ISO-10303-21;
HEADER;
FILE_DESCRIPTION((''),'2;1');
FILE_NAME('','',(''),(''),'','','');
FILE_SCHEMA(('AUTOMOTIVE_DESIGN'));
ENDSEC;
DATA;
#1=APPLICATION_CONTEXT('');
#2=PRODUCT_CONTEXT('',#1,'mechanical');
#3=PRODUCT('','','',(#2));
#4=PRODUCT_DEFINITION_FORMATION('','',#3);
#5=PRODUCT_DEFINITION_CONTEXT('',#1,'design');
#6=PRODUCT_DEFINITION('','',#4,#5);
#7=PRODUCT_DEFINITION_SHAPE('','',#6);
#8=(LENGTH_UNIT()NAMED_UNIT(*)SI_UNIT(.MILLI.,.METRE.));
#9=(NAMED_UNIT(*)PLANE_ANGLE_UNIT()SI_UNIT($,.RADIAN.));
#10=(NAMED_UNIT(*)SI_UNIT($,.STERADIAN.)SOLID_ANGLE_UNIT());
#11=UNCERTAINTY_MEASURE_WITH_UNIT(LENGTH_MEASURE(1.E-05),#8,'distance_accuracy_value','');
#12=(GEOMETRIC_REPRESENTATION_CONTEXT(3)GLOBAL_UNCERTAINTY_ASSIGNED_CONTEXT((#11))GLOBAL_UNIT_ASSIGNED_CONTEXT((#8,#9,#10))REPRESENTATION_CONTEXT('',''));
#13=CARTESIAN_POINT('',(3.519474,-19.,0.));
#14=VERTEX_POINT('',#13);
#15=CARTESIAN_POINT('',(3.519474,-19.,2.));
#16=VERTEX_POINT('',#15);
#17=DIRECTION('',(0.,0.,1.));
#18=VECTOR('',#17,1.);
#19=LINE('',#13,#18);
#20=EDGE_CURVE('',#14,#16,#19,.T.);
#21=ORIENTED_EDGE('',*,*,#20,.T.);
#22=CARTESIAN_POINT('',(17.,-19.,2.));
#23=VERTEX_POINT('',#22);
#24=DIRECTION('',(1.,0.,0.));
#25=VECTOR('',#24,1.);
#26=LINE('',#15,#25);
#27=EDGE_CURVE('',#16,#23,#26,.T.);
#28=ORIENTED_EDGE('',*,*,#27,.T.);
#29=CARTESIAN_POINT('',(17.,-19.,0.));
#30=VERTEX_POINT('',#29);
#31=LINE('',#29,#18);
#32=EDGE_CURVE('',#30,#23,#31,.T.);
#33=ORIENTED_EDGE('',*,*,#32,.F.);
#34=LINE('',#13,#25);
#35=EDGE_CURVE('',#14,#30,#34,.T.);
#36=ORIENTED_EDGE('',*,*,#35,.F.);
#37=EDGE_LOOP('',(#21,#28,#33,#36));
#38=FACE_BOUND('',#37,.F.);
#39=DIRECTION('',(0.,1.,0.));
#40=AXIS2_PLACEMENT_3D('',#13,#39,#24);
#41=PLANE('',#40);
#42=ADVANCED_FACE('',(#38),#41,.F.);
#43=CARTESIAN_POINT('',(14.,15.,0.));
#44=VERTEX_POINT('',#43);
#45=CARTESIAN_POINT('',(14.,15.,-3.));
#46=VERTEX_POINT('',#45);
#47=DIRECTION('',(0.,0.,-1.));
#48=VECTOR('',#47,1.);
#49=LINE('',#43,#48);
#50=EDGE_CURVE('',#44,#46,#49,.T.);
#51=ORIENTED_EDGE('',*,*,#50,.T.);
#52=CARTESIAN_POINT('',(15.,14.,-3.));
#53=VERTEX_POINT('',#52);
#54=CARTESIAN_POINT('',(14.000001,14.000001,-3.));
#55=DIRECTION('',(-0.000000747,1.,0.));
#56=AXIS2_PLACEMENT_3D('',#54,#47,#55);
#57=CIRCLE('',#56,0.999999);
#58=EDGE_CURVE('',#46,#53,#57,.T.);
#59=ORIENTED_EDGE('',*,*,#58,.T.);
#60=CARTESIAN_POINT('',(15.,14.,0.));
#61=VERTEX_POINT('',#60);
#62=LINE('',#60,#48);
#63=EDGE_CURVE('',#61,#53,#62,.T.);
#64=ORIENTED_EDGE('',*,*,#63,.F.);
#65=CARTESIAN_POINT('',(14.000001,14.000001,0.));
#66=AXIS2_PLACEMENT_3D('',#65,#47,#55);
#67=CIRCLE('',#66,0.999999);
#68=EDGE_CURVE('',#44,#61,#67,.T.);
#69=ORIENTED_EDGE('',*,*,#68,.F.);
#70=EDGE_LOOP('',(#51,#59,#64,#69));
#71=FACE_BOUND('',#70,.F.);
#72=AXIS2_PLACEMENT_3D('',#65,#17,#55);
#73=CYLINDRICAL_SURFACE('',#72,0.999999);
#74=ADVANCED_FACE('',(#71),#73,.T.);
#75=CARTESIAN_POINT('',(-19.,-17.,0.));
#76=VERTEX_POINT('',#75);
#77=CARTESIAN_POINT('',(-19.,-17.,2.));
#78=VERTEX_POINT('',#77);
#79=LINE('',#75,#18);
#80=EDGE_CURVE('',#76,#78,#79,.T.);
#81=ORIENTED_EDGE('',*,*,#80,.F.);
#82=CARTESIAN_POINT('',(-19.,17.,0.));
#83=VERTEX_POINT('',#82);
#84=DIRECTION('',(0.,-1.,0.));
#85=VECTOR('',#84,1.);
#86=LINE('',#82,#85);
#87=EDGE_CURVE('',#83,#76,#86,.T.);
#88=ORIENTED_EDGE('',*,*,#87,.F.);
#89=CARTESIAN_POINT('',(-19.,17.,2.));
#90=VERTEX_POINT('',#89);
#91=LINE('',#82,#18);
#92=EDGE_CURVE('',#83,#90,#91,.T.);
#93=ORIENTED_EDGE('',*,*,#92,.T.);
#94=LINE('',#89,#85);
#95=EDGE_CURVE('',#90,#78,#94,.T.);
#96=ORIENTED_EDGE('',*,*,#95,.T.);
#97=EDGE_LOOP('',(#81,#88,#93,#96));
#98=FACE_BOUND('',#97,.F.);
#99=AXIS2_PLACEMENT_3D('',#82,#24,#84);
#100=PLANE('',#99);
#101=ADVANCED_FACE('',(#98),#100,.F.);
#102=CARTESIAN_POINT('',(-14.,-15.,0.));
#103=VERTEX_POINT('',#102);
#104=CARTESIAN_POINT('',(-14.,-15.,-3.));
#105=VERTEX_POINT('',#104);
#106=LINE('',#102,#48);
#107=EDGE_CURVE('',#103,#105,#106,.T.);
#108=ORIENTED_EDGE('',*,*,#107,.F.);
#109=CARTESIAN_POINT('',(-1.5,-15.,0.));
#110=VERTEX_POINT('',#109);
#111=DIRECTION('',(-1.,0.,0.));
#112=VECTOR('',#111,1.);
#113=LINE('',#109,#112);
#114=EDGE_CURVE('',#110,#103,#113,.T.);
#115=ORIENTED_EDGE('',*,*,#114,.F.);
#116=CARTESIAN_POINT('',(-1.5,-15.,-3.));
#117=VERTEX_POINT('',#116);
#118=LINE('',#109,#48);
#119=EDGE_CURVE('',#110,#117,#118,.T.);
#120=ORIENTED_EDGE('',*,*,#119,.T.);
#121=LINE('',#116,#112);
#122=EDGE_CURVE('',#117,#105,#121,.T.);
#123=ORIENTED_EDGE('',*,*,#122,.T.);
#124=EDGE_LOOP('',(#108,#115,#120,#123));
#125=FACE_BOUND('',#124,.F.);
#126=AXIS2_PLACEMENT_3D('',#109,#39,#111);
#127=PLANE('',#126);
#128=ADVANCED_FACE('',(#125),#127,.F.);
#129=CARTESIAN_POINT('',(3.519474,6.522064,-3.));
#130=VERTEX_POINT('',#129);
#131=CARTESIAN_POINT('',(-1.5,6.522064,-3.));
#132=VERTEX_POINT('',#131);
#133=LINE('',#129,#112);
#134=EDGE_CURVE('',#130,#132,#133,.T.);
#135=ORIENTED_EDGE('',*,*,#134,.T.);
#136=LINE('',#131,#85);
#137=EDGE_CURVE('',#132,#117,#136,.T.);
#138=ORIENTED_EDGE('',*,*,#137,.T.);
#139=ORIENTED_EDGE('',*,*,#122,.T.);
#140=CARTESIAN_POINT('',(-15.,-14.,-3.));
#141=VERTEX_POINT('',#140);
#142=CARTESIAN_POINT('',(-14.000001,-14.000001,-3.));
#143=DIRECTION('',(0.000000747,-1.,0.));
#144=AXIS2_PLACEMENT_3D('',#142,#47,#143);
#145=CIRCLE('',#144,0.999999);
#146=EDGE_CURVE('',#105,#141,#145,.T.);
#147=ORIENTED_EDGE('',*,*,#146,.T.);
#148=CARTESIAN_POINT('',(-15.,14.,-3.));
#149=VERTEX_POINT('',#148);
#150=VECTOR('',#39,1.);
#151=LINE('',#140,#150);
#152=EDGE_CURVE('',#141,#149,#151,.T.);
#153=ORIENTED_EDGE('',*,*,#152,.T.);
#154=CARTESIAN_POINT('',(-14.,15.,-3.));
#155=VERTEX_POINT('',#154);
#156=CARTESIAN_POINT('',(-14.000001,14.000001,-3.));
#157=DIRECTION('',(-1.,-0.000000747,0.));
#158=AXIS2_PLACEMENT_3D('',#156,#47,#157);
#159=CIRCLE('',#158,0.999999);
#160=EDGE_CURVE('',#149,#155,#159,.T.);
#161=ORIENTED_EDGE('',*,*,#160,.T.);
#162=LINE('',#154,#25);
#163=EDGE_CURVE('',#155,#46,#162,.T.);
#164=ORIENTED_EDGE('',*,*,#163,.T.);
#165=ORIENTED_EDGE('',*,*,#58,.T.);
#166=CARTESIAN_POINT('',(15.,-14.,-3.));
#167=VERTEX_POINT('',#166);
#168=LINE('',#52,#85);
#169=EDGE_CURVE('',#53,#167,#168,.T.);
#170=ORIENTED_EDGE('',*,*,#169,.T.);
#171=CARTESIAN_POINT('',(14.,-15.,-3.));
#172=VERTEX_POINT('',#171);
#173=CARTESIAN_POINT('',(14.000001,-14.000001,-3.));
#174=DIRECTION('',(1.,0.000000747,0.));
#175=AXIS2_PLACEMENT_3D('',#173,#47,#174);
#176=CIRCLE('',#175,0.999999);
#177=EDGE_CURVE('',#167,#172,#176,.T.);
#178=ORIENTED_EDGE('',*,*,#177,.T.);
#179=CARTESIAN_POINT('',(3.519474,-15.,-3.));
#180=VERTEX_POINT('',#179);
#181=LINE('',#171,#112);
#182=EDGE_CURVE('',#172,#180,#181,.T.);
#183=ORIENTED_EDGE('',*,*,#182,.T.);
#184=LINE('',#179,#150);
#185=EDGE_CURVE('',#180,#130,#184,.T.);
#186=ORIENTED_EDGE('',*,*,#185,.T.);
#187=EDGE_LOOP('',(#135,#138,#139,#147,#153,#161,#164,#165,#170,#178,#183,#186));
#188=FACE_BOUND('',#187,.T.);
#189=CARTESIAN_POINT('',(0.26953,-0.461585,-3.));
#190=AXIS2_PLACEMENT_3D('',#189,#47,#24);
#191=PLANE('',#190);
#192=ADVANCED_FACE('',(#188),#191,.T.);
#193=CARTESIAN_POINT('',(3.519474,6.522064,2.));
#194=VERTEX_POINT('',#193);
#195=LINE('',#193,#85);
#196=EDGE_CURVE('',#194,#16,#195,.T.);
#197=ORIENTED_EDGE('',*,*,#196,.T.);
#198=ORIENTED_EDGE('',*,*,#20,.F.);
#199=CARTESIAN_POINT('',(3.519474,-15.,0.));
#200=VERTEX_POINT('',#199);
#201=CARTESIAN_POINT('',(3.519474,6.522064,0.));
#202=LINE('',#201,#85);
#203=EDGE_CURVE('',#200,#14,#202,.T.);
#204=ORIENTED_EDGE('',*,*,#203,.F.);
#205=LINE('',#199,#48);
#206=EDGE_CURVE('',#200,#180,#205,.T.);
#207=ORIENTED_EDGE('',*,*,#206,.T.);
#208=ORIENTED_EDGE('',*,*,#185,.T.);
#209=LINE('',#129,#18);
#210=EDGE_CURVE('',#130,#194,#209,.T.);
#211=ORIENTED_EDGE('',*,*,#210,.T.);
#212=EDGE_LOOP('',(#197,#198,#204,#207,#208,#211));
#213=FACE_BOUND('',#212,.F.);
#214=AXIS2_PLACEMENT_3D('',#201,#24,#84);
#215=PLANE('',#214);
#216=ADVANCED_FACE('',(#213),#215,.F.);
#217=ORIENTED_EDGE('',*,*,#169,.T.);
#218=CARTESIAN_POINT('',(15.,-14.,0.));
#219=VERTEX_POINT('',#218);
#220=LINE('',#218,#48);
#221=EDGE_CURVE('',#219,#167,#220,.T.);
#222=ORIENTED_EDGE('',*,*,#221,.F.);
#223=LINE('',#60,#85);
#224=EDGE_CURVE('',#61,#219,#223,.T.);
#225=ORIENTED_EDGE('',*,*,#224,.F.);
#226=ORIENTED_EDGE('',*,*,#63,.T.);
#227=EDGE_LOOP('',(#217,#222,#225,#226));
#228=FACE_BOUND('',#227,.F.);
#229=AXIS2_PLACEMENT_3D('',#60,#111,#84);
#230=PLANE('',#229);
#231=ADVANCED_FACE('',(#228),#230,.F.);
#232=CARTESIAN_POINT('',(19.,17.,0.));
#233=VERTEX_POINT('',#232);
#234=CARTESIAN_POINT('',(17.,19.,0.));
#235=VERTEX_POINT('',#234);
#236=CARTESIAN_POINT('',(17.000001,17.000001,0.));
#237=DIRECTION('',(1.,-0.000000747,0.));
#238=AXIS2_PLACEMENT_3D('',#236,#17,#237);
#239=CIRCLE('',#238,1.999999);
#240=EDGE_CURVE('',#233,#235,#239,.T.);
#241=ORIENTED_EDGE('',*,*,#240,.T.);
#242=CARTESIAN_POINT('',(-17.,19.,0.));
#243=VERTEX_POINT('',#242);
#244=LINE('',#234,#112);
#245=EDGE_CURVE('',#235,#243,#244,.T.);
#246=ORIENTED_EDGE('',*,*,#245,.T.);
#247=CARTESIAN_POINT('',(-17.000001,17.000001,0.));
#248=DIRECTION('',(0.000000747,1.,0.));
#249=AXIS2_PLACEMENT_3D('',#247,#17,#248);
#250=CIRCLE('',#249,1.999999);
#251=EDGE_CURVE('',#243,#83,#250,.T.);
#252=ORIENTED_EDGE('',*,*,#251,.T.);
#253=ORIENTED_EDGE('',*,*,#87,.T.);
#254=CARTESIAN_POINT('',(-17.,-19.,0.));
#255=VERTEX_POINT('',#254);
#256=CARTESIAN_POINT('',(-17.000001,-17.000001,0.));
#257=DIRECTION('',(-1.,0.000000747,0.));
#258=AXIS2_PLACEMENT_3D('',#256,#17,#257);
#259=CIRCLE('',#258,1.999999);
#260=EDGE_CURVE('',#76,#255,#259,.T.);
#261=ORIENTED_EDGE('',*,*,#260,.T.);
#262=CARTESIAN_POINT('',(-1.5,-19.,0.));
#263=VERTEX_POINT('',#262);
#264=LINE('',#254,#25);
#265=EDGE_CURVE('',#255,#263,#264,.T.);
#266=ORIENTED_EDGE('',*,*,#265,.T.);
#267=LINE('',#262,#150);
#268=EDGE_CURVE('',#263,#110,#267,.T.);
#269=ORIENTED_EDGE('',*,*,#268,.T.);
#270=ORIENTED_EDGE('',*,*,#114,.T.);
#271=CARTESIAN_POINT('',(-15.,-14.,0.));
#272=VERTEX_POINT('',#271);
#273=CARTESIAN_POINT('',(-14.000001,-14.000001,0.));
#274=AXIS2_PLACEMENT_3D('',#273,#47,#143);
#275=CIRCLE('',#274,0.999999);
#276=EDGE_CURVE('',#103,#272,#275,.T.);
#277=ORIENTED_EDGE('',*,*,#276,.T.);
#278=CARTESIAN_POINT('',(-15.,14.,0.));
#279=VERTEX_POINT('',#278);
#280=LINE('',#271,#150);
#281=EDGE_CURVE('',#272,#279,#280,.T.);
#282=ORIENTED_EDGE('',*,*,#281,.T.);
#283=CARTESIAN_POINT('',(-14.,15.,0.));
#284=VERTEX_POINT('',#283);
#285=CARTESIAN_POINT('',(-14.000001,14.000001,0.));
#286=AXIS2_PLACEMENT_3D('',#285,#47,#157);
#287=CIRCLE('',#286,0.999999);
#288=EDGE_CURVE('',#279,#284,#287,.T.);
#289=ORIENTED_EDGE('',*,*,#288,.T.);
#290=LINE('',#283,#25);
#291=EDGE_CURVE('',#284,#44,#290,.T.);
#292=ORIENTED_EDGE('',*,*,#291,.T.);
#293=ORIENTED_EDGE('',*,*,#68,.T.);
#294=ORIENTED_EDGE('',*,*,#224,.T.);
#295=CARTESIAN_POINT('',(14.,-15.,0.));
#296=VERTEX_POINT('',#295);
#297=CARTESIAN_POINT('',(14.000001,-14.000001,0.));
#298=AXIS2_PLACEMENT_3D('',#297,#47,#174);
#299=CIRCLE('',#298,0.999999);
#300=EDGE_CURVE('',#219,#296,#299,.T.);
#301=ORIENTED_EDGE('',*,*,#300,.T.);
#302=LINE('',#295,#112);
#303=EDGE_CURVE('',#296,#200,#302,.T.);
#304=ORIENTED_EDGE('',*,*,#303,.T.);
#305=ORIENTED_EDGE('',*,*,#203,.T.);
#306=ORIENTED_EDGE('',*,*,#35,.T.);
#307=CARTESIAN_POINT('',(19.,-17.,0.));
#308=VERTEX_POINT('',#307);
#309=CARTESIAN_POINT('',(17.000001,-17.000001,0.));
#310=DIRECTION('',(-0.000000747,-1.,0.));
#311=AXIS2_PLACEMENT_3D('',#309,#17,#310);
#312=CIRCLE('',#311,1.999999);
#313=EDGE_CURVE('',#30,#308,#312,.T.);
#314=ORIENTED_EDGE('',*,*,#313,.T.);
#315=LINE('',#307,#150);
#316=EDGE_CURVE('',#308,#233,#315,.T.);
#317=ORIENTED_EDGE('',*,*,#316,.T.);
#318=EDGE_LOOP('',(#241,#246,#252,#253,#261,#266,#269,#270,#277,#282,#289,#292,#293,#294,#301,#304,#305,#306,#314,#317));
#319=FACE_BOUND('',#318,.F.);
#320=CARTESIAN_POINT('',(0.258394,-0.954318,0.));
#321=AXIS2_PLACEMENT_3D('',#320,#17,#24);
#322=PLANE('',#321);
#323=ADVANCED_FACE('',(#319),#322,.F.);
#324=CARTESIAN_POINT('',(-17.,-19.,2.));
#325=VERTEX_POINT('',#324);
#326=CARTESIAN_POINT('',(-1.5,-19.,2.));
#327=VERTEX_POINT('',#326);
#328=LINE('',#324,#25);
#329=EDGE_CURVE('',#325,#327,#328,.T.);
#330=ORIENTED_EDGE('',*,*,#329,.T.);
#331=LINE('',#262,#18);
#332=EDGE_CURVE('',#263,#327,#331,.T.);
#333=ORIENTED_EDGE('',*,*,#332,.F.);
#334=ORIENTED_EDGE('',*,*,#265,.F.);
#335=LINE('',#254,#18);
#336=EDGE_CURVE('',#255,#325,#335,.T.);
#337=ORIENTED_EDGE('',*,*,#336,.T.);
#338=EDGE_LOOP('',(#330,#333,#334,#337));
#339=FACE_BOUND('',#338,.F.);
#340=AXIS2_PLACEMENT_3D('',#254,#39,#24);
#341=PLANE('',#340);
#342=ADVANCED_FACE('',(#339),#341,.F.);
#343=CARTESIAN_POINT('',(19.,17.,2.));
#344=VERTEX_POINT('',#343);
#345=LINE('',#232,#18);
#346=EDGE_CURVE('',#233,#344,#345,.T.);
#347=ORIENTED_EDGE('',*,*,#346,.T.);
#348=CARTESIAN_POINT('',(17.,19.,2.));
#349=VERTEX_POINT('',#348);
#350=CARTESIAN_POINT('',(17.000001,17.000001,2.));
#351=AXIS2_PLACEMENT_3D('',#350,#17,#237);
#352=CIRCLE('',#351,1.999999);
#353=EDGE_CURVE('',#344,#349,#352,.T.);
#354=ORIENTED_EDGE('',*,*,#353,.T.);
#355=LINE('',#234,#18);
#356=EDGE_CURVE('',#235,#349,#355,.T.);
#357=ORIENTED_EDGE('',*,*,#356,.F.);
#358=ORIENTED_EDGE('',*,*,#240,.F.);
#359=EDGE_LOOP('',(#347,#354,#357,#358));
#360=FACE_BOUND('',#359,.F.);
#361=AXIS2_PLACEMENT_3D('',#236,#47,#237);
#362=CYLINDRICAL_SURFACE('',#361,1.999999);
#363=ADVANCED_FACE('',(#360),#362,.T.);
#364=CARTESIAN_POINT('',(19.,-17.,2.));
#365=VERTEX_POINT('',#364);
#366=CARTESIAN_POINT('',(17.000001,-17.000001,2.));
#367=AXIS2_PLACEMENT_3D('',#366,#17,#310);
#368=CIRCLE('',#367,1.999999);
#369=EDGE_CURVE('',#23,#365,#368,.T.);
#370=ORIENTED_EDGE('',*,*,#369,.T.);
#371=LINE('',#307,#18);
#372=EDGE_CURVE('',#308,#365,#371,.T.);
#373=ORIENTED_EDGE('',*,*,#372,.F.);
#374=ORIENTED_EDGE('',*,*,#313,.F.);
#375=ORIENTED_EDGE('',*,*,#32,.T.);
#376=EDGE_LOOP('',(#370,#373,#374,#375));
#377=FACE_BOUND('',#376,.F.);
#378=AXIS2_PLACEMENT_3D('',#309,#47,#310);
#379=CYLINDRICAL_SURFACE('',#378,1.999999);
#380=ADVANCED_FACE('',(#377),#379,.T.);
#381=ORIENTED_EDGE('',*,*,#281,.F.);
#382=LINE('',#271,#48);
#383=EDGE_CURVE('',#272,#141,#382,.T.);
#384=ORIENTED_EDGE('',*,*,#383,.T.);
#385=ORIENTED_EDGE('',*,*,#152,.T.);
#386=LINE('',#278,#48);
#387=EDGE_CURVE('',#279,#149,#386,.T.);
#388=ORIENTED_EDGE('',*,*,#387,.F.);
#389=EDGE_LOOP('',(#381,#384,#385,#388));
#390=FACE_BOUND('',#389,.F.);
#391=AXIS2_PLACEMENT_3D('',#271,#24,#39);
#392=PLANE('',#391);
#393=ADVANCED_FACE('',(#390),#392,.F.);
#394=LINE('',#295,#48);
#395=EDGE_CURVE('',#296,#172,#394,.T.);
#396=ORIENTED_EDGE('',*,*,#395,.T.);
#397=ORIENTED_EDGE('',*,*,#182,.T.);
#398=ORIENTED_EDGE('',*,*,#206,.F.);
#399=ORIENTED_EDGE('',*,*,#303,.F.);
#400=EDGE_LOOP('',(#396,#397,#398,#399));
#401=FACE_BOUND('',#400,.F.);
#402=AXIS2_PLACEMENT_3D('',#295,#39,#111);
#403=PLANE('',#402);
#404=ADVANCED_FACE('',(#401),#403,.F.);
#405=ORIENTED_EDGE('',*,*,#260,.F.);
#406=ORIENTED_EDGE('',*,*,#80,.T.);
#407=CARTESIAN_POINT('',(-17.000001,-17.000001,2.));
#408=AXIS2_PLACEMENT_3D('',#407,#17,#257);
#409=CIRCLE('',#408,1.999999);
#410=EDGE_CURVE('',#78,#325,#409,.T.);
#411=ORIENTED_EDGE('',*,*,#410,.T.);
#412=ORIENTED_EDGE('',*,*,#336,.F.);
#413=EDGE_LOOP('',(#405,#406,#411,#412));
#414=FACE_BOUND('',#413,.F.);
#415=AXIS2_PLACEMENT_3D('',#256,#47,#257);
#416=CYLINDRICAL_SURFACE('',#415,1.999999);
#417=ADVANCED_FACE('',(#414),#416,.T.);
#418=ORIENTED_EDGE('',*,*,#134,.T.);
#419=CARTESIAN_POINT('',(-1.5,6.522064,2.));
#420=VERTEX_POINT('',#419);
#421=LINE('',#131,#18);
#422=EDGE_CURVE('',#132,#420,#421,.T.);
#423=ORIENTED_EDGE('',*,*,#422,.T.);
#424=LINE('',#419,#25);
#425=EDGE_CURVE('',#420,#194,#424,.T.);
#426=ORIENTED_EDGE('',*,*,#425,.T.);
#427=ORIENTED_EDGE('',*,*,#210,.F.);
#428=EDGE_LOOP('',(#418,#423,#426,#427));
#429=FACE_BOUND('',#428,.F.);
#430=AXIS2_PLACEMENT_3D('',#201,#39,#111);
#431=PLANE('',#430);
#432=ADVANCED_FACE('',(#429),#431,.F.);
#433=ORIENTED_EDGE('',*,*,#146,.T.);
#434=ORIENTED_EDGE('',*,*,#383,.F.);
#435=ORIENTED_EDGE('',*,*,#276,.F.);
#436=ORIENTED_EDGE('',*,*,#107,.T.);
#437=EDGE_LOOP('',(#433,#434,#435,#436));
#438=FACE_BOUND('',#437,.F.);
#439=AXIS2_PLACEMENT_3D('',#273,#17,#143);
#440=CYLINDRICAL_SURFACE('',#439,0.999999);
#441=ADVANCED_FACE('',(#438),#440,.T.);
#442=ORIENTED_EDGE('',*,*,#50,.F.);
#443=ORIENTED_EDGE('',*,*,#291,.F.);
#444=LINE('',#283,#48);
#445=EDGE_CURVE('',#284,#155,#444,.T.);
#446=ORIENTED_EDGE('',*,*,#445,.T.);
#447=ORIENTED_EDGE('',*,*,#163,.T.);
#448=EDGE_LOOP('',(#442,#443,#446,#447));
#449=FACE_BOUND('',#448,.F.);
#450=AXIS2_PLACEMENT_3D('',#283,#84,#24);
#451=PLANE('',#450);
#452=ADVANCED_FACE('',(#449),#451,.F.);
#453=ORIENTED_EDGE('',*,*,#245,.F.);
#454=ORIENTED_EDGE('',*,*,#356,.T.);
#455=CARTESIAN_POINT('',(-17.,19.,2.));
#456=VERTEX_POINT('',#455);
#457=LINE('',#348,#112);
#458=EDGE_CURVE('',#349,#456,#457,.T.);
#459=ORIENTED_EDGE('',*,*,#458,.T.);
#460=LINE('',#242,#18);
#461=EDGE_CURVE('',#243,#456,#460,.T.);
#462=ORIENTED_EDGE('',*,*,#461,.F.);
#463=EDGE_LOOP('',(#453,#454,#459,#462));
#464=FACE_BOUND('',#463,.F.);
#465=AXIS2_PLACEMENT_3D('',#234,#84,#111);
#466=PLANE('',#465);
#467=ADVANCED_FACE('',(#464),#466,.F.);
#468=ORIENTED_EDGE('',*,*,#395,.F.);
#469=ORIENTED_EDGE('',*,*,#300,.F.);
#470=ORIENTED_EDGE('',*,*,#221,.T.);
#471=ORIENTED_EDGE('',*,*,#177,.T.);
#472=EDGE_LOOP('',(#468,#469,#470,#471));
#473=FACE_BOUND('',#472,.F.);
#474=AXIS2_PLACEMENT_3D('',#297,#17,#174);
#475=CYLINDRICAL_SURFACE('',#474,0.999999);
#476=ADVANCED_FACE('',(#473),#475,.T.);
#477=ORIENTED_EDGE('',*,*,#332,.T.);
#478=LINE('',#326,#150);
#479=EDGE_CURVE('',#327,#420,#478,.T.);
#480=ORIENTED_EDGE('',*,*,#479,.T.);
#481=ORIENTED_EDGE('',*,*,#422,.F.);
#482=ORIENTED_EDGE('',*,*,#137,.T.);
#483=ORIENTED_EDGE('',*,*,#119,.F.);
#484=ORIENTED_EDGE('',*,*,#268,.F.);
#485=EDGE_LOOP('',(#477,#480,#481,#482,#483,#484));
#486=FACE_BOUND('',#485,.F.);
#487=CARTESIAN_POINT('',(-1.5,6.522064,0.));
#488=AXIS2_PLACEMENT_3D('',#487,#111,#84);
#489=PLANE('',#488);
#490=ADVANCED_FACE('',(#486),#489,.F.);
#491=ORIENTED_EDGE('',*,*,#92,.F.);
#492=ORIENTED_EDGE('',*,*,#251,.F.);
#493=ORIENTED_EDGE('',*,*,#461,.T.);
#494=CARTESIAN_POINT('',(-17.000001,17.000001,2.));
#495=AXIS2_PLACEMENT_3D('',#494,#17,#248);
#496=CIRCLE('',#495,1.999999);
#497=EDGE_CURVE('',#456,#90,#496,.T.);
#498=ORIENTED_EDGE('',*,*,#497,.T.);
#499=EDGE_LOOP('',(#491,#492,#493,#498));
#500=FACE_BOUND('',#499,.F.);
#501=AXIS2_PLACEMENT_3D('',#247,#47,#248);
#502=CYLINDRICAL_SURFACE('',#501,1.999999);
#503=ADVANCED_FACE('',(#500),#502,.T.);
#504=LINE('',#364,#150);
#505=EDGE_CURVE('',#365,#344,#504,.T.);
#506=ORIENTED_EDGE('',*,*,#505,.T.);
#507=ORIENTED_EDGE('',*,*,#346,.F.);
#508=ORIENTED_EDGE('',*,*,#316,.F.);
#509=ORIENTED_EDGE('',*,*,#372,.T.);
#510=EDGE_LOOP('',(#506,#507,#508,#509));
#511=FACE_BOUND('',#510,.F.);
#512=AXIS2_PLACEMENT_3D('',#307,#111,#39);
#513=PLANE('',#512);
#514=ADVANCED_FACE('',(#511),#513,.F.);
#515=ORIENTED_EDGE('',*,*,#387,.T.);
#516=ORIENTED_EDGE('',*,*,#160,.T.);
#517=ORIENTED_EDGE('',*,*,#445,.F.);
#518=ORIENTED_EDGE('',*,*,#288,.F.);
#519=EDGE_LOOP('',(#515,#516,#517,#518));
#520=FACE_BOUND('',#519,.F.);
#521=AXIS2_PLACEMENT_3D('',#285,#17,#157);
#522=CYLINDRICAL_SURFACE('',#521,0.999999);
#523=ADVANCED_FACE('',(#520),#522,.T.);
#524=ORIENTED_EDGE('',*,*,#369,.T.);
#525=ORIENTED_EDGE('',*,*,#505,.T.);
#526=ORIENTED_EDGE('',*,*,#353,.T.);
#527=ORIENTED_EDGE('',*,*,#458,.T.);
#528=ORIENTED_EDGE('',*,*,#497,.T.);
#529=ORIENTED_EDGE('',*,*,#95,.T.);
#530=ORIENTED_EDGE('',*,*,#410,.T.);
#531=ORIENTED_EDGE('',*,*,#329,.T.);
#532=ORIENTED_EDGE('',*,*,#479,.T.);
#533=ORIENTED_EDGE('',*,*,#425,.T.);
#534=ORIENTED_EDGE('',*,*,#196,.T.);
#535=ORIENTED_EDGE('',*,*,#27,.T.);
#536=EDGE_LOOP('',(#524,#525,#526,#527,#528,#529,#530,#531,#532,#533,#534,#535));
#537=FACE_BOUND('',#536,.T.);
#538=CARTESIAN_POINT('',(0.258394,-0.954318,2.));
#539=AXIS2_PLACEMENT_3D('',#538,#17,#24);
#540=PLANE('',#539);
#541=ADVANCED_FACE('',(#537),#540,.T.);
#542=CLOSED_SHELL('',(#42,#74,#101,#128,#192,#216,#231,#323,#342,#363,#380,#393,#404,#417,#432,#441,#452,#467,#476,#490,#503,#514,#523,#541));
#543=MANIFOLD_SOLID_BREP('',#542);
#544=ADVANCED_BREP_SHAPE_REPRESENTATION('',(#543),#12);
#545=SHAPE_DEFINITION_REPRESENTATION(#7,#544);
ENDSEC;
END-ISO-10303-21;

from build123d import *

# Parameters (mm, degrees)
F1_DEPTH = 2
F3_DEPTH = 3


with BuildPart() as f1:
    # F0 (on Top) → F1 (new body)
    with BuildSketch(Plane.XY):
        with BuildLine():
            Line((17, 19), (-17, 19))
            ThreePointArc((-17, 19), (-18.414214, 18.414214), (-19, 17))
            Line((-19, 17), (-19, -17))
            ThreePointArc((-19, -17), (-18.414214, -18.414214), (-17, -19))
            Line((-17, -19), (-1.5, -19))
            Line((-1.5, -19), (-1.5, 6.522064))
            Line((-1.5, 6.522064), (1.5, 6.522064))
            Line((1.5, 6.522064), (1.519474, 6.522064))
            Line((1.519474, 6.522064), (3.519474, 6.522064))
            Line((3.519474, 6.522064), (3.519474, -19))
            Line((3.519474, -19), (17, -19))
            ThreePointArc((17, -19), (18.414214, -18.414214), (19, -17))
            Line((19, -17), (19, 17))
            ThreePointArc((19, 17), (18.414214, 18.414214), (17, 19))
        make_face()
    extrude(amount=F1_DEPTH)

    # F2 (on face) → F3 (join)
    with BuildSketch(Plane(origin=(0, 0, 0), x_dir=(1, 0, 0), z_dir=(0, 0, -1))):
        with BuildLine():
            Line((-1.5, 15), (-14, 15))
            ThreePointArc((-14, 15), (-14.707107, 14.707107), (-15, 14))
            Line((-15, 14), (-15, -14))
            ThreePointArc((-15, -14), (-14.707107, -14.707107), (-14, -15))
            Line((-14, -15), (14, -15))
            ThreePointArc((14, -15), (14.707107, -14.707107), (15, -14))
            Line((15, -14), (15, 14))
            ThreePointArc((15, 14), (14.707107, 14.707107), (14, 15))
            Line((14, 15), (3.519474, 15))
            Line((3.519474, 15), (3.519474, -6.522064))
            Line((3.519474, -6.522064), (-1.5, -6.522064))
            Line((-1.5, -6.522064), (-1.5, 15))
        make_face()
    extrude(amount=F3_DEPTH)


solid = f1.part
